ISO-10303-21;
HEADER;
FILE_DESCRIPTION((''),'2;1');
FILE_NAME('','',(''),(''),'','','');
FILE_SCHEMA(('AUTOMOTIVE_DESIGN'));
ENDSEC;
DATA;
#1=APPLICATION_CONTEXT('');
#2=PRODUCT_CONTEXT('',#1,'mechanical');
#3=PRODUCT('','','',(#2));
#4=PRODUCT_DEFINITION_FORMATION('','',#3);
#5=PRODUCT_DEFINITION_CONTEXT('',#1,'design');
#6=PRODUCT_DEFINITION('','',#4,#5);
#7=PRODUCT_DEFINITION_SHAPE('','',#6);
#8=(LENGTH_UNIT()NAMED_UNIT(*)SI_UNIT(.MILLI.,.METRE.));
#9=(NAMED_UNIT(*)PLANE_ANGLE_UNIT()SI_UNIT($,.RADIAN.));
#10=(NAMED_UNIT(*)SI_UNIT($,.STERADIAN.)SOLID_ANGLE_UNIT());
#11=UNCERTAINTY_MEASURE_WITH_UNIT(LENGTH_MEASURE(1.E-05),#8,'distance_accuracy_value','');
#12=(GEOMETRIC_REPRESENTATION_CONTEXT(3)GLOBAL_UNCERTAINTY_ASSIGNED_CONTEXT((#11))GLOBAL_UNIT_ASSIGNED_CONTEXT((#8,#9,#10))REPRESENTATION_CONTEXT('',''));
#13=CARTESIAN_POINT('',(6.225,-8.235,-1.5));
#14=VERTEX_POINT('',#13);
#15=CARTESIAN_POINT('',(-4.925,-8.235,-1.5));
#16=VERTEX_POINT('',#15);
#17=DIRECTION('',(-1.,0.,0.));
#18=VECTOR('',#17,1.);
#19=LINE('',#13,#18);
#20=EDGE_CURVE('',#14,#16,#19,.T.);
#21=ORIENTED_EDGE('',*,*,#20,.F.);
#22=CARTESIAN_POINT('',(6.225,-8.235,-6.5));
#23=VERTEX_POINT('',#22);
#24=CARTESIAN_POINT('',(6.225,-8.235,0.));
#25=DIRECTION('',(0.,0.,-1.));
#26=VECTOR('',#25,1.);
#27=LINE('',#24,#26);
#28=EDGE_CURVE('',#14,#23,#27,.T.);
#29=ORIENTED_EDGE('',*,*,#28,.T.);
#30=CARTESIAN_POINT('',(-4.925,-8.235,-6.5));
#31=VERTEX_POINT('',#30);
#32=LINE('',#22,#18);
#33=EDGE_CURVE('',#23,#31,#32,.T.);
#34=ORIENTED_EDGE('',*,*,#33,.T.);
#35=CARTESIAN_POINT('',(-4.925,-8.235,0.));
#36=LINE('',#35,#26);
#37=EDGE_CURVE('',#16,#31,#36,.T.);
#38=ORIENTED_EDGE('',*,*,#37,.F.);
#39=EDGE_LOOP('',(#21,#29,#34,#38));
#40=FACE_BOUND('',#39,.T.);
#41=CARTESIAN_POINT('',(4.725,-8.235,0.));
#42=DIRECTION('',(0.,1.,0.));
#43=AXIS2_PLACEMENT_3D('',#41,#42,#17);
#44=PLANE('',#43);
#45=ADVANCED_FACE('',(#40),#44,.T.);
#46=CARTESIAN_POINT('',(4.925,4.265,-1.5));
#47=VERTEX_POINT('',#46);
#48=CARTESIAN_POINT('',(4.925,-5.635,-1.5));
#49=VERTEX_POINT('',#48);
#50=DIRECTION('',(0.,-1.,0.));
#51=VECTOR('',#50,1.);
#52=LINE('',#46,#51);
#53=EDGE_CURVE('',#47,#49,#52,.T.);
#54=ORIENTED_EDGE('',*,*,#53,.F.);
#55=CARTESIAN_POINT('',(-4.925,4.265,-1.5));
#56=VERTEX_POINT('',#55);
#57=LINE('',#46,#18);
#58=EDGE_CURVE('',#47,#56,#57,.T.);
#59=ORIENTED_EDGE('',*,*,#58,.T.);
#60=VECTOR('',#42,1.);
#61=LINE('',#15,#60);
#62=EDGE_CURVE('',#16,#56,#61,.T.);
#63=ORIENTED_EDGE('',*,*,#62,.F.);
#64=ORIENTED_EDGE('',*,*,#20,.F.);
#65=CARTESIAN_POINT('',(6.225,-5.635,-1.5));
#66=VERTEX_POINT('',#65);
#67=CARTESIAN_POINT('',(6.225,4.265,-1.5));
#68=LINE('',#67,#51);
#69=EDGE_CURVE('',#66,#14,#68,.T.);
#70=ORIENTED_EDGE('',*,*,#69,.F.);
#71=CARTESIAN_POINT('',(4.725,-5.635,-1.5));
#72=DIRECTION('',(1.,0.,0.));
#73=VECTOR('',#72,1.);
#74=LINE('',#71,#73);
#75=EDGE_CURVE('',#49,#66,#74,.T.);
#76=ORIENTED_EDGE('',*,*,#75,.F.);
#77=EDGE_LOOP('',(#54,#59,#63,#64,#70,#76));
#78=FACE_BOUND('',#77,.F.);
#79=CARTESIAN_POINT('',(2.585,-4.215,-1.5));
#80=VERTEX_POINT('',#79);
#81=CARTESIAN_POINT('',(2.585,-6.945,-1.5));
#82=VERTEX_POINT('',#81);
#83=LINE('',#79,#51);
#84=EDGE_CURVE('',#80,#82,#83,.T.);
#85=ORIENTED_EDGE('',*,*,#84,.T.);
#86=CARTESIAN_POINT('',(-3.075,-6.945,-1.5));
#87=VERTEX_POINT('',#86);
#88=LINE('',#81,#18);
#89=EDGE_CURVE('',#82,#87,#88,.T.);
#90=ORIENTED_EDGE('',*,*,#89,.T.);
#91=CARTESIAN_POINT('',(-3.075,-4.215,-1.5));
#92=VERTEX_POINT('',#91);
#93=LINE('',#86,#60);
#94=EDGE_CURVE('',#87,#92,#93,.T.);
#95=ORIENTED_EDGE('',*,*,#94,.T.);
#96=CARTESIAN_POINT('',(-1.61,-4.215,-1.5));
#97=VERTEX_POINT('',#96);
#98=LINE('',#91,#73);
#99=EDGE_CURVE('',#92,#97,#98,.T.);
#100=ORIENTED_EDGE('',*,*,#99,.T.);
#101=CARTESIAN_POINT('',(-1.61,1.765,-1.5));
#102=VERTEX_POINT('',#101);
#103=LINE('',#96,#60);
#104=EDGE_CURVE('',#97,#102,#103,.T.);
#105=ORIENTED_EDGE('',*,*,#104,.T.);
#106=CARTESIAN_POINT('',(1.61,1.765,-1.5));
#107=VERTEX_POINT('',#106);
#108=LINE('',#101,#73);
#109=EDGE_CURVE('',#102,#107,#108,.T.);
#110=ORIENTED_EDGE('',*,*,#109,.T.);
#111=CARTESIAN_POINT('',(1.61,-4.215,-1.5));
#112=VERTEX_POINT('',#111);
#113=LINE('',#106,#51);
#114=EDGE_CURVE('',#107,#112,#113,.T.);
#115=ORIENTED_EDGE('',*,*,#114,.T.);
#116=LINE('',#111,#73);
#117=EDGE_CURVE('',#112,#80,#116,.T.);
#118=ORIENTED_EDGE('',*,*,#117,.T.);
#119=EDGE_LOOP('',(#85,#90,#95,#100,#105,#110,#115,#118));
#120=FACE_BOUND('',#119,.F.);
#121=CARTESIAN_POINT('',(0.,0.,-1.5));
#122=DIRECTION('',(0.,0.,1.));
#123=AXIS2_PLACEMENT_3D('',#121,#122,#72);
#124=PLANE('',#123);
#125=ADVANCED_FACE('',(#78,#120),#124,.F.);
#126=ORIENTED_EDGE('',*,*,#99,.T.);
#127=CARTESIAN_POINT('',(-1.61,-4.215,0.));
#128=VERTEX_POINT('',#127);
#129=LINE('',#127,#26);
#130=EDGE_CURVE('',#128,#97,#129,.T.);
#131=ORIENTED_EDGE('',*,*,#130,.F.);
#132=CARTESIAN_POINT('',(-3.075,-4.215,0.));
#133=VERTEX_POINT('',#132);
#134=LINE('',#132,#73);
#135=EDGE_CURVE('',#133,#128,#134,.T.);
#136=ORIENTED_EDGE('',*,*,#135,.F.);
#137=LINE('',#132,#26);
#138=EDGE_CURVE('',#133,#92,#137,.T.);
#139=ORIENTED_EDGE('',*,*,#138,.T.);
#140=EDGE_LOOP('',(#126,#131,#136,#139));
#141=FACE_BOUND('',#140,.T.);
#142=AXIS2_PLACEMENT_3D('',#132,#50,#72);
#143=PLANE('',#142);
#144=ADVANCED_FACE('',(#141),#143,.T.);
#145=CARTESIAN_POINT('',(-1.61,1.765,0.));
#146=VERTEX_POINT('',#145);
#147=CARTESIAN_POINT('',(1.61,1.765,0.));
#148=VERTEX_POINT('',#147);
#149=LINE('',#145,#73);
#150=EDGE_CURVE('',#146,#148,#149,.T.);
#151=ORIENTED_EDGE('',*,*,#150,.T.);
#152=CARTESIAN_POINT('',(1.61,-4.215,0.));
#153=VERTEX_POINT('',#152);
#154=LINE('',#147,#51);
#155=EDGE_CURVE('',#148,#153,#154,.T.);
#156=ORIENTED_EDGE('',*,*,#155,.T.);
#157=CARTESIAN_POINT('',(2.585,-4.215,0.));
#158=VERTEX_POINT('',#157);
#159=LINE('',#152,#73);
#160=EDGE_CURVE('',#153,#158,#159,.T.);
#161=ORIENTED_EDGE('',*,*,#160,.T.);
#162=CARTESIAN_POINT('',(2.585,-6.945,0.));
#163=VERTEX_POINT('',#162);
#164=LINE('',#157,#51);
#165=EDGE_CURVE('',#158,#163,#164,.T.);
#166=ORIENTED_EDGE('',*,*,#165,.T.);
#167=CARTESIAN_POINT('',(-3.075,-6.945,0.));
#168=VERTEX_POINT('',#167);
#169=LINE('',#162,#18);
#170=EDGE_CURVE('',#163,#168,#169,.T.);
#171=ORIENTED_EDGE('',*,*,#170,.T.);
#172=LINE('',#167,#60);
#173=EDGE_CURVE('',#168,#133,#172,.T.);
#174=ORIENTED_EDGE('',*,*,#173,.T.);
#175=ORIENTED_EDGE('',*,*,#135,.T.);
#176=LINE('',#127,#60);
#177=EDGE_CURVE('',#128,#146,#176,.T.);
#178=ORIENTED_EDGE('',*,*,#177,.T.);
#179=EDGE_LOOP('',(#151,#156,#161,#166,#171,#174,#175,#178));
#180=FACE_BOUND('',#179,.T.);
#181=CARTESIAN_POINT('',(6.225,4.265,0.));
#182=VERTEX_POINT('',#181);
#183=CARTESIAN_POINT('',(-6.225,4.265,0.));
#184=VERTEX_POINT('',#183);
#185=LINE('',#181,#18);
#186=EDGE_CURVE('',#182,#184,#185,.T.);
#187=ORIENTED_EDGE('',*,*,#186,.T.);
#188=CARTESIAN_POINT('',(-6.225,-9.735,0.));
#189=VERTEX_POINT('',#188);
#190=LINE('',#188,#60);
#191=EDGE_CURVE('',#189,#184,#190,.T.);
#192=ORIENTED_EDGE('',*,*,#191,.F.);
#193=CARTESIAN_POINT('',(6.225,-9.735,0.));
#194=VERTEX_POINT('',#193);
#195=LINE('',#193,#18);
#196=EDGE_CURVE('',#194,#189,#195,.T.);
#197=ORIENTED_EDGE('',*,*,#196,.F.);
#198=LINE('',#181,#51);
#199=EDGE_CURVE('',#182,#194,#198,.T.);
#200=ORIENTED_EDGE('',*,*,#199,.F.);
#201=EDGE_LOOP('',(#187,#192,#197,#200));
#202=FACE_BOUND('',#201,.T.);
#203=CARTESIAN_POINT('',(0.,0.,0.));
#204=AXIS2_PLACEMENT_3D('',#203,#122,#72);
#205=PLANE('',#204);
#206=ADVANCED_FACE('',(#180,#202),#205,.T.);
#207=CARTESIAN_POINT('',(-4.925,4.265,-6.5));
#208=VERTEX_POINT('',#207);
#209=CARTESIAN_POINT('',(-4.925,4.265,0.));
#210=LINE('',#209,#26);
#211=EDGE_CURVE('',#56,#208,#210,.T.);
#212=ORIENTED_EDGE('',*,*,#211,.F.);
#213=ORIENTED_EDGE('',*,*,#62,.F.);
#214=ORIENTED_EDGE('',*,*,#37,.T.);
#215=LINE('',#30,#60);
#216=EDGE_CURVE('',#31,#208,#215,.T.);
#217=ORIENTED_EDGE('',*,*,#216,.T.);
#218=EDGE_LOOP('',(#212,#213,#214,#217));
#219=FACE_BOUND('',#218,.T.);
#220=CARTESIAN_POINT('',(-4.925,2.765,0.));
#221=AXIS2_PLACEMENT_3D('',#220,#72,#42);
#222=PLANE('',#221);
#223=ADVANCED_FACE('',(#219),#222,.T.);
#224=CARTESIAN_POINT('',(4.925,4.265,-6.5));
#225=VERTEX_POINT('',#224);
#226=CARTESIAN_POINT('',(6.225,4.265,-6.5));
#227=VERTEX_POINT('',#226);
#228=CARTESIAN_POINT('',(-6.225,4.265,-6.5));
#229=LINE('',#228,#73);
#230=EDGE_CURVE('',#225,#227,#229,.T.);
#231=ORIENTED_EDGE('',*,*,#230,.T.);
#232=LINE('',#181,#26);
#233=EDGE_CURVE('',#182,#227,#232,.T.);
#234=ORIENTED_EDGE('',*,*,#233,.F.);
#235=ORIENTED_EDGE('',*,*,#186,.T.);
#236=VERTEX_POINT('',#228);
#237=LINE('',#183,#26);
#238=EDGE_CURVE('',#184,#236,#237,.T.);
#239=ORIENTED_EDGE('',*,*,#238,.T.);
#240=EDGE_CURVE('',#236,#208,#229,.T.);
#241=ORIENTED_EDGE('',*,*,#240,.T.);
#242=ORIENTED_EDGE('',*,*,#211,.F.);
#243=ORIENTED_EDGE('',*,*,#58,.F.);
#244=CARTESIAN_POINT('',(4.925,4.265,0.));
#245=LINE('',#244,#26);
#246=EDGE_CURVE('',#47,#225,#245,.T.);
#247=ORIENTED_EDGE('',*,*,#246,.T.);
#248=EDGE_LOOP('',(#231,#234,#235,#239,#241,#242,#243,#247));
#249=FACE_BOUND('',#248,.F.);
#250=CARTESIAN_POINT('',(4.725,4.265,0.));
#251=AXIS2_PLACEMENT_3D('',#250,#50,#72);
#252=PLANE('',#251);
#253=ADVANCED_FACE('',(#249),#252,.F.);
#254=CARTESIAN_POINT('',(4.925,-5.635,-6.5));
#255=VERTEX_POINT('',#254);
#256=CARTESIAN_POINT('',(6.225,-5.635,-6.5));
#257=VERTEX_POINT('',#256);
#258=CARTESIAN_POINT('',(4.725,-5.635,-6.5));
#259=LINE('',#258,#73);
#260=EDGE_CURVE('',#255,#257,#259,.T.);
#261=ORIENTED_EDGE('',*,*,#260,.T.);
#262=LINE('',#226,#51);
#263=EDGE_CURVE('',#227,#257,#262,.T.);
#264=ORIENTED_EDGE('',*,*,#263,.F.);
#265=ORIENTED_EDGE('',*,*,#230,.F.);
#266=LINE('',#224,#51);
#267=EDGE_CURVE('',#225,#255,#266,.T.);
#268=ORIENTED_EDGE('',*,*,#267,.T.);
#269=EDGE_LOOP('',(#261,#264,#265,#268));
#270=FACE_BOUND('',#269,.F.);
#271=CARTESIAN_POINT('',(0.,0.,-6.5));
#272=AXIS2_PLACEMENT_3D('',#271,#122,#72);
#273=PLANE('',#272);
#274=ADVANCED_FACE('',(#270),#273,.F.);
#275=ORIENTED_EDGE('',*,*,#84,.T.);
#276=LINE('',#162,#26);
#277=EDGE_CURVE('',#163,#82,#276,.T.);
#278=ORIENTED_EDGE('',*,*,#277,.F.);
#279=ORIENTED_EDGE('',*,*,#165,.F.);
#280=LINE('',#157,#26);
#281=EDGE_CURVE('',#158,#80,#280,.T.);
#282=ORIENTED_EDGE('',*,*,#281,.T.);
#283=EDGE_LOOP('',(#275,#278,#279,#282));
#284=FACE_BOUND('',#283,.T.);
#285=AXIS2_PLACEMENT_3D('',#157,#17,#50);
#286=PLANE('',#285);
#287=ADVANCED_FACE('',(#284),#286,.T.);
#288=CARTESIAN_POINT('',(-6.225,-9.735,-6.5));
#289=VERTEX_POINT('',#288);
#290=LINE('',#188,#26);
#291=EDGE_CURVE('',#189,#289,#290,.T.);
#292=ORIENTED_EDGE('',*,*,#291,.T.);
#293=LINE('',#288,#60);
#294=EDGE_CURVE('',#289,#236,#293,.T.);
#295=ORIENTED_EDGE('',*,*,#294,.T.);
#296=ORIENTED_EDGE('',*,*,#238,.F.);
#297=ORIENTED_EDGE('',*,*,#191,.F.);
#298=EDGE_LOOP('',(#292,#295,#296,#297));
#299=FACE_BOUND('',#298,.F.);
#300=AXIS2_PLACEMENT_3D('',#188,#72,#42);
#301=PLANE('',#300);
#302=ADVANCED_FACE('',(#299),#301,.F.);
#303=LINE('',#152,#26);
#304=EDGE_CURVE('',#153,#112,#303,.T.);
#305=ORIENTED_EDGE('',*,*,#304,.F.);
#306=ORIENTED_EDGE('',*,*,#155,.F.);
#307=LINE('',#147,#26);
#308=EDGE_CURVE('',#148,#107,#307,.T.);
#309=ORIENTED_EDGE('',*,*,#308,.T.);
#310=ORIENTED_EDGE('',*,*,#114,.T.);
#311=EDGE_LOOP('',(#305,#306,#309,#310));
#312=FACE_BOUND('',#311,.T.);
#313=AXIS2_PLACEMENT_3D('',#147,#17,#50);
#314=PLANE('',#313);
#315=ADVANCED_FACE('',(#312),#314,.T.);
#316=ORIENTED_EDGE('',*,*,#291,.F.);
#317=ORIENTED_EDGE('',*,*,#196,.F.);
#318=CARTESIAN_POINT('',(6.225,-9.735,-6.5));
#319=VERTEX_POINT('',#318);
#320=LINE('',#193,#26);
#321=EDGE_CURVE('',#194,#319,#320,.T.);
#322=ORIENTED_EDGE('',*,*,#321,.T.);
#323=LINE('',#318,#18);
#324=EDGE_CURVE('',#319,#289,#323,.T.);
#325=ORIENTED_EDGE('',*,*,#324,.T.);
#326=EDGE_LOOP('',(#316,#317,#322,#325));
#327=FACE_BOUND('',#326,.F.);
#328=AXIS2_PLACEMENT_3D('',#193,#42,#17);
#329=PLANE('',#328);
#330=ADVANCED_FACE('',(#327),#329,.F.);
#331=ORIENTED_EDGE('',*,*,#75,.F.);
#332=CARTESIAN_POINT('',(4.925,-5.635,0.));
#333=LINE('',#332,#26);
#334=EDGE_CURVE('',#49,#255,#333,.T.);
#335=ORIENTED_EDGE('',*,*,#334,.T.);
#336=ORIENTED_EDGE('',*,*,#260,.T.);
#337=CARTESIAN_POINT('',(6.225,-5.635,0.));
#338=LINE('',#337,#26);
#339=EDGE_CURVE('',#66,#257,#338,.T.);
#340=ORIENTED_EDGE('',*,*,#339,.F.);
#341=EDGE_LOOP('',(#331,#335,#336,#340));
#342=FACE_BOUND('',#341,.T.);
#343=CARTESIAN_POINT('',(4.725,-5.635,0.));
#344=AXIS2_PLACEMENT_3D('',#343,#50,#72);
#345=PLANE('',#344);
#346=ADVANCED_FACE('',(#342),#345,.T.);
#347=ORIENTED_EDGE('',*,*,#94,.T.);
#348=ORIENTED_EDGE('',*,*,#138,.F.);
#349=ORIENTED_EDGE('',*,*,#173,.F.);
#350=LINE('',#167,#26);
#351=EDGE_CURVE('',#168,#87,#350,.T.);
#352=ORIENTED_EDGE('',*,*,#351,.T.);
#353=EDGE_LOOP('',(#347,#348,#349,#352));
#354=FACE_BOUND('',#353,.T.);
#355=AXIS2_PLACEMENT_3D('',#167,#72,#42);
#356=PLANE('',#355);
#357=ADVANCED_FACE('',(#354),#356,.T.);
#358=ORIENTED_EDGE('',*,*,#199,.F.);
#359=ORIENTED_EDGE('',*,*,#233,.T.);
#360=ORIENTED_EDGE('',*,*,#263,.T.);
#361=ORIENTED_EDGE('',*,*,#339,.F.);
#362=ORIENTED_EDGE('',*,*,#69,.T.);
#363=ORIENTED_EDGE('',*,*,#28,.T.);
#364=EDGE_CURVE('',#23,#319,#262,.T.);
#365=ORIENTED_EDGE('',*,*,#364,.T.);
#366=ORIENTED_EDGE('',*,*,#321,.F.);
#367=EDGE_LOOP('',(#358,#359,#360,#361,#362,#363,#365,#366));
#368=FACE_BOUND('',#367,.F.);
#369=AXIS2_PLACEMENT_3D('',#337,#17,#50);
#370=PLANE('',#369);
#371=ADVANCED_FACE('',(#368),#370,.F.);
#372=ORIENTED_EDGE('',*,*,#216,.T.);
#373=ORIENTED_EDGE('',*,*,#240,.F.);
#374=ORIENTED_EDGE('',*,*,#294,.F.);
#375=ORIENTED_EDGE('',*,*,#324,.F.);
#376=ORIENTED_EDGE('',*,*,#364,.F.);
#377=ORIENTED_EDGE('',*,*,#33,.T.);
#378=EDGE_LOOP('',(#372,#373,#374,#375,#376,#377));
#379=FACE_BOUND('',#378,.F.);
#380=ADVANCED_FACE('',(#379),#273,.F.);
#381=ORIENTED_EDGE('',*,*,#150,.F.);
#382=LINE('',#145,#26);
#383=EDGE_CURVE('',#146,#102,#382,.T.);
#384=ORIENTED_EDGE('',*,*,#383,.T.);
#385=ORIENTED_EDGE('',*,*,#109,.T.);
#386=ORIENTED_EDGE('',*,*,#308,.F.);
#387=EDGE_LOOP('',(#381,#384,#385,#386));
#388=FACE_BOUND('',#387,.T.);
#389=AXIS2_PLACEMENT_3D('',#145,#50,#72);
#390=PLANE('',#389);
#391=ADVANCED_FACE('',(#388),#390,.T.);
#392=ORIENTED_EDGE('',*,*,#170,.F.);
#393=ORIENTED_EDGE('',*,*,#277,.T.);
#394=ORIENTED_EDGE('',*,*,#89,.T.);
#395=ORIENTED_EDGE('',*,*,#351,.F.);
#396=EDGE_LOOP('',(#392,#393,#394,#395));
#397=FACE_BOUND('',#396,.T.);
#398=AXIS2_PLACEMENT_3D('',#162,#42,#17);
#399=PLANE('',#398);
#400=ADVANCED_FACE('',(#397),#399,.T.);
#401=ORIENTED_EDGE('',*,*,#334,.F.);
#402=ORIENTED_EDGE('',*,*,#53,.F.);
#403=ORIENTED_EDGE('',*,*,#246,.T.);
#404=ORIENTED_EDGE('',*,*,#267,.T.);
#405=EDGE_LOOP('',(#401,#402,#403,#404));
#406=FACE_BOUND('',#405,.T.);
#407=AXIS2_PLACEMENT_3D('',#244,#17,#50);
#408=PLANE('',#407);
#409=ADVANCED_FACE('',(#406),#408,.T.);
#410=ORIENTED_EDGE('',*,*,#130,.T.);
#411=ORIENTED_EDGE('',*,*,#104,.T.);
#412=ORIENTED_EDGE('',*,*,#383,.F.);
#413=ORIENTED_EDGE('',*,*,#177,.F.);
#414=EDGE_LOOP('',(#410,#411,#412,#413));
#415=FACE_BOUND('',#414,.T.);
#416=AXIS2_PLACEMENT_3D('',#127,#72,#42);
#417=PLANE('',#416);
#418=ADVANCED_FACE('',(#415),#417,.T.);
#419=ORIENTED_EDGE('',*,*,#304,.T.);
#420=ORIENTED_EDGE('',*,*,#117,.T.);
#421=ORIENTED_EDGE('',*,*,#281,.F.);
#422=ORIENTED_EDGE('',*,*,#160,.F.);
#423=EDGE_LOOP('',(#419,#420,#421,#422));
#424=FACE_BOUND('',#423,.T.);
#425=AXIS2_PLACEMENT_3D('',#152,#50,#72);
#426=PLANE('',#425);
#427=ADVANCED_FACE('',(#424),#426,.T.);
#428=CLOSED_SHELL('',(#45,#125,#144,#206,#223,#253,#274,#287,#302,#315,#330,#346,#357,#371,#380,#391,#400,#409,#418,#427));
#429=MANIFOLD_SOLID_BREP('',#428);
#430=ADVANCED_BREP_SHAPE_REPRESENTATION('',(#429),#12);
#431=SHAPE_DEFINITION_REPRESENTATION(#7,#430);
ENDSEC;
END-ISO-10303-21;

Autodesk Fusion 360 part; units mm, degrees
sketch "Boceto1" plane through (0, 0, 0) normal (0, 0, 1) x (1, 0, 0)
  line L0 (4.725, 2.765) -> (4.725, -5.635)
  line L1 (4.725, -8.235) -> (-4.725, -8.235)
  line L2 (-4.725, -8.235) -> (-4.725, 2.765)
  line L3 (-6.225, 4.265) -> (6.225, 4.265)
  line L4 (6.225, 4.265) -> (6.225, -9.735)
  line L5 (6.225, -9.735) -> (-6.225, -9.735)
  line L6 (-6.225, -9.735) -> (-6.225, 4.265)
  line L7 (2.585, -4.215) -> (2.585, -6.945)
  line L8 (2.585, -6.945) -> (-3.075, -6.945)
  line L9 (-3.075, -6.945) -> (-3.075, -4.215)
  line L10 (-1.61, -4.215) -> (-1.61, 1.765)
  line L11 (1.61, 1.765) -> (1.61, -4.215)
  line L12 (-3.075, -4.215) -> (-1.61, -4.215)
  line L13 (1.61, -4.215) -> (2.585, -4.215)
  line L14 (-4.725, 2.765) -> (-4.725, 4.265)
  line L15 (4.725, 4.265) -> (4.725, 2.765)
  line L16 (4.725, -5.635) -> (6.225, -5.635)
  line L17 (4.725, -8.235) -> (6.225, -8.235)
  line L18 (-1.61, 1.765) -> (1.61, 1.765)
  dimension "d1" = 9.45
  dimension "d2" = 4.725
  dimension "d3" = 1.5
  dimension "d4" = 1.5
  dimension "d5" = 1.5
  dimension "d6" = 1.5
  dimension "d9" = 8.235
  dimension "d10" = 5.66
  dimension "d11" = 2.73
  dimension "d12" = 1.29
  dimension "d13" = 1.65
  dimension "d21" = 10
  dimension "d22" = 12.5
  dimension "d27" = 2.6
  dimension "d32" = 3.115
  dimension "d33" = 3.115
extrude "Extruir5" add sketch "Boceto1" against normal blind 1.5 contours L0 L1 L2 L3 L4 L14 L15 L16 L17
extrude "Extruir6" add sketch "Boceto1" against normal blind 6.5 contours L0 L3 L4 L15 L16 | L1 L2 L3 L4 L5 L6 L14 L17
extrude "Extruir7" cut 1 faces at (-4.725, -4.0683, -3.1667) along direction (-1, 0, 0) blind 0.2
extrude "Extruir8" cut 1 faces at (4.725, 0.965, -3.1667) along direction (1, 0, 0) blind 0.2
equation "d2 = d1 / 2"
equation "d4 = d3"
equation "d5 = d3"
equation "d6 = d3"
equation "d7 = 16.47 mm"
equation "d9 = d7 / 2"
equation "d22 = d21 + d3 + 1 mm"
equation "d28 = -d3"
equation "d30 = -( d3 + 5 mm )"
equation "d32 = d1 / 2 - ( ( 3.22 / 2 ) * 1 mm )"
equation "d33 = d32"
